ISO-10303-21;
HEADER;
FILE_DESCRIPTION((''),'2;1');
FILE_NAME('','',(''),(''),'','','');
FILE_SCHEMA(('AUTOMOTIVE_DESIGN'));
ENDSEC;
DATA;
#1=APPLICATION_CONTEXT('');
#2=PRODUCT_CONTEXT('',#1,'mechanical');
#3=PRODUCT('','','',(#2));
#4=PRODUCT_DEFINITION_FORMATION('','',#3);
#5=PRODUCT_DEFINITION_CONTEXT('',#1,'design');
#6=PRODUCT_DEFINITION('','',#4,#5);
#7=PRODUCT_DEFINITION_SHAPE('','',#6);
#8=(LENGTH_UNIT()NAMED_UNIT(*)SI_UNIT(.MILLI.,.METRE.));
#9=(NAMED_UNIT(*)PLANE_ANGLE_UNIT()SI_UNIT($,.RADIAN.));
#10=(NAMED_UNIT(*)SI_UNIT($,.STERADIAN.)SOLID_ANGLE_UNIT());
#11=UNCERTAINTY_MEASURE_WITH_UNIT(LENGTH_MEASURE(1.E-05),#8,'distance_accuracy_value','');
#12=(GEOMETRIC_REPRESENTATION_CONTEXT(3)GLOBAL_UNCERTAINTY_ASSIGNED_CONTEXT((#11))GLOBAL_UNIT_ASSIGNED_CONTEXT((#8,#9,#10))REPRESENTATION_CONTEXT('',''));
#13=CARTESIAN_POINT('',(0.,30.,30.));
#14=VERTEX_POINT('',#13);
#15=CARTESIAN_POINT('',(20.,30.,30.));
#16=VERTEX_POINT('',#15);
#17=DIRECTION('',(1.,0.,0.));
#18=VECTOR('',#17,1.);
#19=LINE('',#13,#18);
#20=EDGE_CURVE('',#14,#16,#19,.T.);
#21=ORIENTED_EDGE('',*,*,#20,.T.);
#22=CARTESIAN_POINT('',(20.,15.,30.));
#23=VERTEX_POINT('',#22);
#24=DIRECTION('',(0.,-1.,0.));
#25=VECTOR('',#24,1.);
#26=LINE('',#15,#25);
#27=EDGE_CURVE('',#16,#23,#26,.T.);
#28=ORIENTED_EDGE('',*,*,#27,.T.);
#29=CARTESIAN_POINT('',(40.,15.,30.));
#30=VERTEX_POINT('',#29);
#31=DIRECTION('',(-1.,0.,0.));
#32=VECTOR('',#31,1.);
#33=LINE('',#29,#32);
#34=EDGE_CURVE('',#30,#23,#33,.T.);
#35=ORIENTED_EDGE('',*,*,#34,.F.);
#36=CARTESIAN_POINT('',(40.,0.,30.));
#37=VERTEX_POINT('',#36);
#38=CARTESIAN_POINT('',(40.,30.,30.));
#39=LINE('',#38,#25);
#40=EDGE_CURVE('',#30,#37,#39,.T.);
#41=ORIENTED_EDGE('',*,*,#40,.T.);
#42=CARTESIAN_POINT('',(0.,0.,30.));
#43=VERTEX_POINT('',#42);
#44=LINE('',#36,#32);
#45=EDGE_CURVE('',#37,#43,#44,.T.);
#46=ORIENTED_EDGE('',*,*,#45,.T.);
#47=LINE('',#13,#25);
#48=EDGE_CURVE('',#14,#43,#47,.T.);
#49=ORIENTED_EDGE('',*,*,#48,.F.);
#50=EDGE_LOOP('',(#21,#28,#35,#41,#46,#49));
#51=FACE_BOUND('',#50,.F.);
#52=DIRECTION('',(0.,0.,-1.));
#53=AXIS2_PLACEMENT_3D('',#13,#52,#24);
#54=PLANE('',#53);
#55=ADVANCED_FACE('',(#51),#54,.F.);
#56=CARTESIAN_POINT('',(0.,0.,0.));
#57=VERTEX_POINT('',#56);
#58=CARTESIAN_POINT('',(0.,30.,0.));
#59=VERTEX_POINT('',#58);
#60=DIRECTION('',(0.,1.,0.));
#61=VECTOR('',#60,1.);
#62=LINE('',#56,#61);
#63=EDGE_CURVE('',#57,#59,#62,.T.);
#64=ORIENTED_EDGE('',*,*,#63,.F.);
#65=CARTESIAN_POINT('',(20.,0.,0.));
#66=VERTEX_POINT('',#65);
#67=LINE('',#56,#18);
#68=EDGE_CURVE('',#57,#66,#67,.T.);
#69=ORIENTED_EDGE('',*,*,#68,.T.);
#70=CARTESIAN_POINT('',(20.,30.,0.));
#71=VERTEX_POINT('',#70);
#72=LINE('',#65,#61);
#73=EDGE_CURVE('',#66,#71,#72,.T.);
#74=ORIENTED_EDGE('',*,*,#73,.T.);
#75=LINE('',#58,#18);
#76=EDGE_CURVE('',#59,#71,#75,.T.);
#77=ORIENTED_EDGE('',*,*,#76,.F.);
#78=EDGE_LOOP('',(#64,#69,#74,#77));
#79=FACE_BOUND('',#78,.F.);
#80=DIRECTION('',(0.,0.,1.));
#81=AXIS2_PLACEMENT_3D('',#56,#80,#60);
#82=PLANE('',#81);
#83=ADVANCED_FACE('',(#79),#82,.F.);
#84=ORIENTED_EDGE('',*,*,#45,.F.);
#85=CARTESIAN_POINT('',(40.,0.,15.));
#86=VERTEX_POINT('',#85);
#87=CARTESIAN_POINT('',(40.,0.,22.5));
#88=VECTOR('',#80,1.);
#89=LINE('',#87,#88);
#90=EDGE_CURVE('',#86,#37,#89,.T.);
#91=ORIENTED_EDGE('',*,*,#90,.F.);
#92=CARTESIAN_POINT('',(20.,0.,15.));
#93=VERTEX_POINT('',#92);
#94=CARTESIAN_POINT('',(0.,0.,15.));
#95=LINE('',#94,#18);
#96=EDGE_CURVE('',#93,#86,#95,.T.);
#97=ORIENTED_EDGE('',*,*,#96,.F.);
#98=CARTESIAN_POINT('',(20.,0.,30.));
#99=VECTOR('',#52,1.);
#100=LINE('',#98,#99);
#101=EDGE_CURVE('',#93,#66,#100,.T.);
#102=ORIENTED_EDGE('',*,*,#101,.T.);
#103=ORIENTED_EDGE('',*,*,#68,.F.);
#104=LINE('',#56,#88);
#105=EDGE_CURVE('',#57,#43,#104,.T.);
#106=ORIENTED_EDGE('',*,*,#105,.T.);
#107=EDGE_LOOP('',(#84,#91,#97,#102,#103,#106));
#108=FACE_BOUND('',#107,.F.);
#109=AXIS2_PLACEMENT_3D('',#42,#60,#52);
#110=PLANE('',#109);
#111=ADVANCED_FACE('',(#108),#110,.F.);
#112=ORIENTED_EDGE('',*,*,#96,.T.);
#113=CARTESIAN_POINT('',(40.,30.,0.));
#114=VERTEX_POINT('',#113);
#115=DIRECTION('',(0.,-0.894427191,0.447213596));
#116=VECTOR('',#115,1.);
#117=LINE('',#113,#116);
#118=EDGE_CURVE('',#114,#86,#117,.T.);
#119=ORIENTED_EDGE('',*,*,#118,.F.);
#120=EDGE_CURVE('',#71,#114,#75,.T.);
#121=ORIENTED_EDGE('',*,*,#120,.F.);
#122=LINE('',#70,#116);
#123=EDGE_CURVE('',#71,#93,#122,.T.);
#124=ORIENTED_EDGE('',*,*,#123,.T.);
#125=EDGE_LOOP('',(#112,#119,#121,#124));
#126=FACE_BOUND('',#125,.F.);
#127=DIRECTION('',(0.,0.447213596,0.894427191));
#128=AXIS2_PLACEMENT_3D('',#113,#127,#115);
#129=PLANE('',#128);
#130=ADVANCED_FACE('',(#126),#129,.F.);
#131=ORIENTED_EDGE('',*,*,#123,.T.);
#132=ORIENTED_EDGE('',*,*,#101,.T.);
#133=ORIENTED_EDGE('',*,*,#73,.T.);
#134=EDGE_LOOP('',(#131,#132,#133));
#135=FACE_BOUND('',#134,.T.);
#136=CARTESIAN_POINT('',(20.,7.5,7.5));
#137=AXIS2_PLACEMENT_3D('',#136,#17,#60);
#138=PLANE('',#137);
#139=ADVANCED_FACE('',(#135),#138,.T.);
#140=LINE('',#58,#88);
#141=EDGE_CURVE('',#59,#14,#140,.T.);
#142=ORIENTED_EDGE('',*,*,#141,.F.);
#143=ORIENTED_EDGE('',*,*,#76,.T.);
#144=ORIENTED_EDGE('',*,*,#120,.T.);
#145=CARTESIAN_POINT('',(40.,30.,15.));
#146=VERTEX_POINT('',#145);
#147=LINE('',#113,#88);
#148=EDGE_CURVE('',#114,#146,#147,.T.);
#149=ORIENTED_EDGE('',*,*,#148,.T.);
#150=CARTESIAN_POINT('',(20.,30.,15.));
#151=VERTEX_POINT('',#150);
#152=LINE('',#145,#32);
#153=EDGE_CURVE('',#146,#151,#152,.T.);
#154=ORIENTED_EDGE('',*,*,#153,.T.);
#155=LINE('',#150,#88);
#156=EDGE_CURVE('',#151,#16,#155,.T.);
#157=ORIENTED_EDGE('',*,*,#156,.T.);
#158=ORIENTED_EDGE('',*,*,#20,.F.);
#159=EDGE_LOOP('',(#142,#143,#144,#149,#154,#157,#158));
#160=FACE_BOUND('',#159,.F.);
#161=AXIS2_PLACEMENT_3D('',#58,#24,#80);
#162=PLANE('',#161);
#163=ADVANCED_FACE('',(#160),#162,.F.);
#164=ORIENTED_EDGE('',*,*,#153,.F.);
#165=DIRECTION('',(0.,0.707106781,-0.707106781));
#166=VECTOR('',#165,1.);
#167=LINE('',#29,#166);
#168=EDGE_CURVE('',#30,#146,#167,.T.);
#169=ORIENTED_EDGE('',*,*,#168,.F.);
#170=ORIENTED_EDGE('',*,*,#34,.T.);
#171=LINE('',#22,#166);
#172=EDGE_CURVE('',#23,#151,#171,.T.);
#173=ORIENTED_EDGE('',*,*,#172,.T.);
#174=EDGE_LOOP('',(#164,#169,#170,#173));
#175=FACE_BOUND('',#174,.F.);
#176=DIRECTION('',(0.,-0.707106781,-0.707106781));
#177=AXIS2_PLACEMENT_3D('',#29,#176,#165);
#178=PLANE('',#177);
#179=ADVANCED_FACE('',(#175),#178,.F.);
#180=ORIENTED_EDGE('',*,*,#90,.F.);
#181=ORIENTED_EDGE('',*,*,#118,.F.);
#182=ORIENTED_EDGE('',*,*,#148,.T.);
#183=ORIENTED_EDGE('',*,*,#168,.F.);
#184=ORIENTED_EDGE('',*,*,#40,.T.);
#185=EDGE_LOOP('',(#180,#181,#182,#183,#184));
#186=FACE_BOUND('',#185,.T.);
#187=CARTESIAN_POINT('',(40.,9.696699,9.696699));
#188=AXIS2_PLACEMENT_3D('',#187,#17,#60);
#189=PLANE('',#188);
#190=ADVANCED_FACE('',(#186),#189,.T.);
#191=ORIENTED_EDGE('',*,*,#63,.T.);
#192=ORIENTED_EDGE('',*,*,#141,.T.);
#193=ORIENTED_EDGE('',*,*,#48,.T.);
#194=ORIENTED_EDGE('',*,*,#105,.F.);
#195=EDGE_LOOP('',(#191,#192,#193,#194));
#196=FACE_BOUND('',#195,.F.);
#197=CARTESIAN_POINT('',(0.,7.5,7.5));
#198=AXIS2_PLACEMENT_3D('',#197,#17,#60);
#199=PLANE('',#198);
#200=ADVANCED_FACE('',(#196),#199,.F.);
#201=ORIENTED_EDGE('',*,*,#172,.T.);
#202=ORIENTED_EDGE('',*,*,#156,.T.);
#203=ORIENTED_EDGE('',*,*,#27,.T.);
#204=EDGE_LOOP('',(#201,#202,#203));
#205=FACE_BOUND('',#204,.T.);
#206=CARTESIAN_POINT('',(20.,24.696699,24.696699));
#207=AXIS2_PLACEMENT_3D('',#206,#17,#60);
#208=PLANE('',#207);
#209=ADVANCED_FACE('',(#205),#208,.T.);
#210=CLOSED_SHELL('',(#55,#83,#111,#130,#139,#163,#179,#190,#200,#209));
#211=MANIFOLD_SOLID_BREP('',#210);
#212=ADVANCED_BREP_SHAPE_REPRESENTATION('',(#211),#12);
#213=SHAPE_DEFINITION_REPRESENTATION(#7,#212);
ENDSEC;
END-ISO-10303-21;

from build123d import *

# Parameters (mm, degrees)
F0_W     = 15
F0_H     = 15
F1_DEPTH = 20
F2_DEPTH = 40
F4_DEPTH = 20
F6_DEPTH = 20
F8_DEPTH = 20


with BuildPart() as f1:
    # F0 (on Right) → F1 (new body)
    with BuildSketch(Plane.YZ):
        with Locations((7.5, 7.5)):
            Rectangle(F0_W, F0_H)
        with Locations((22.5, 7.5)):
            Rectangle(F0_W, F0_H)
        with Locations((7.5, 22.5)):
            Rectangle(F0_W, F0_H)
        with Locations((22.5, 22.5)):
            Rectangle(F0_W, F0_H)
    extrude(amount=F1_DEPTH)

    # F0 (on Right) → F2 (join)
    with BuildSketch(Plane.YZ):
        with Locations((22.5, 7.5)):
            Rectangle(F0_W, F0_H)
        with Locations((22.5, 22.5)):
            Rectangle(F0_W, F0_H)
        with Locations((7.5, 22.5)):
            Rectangle(F0_W, F0_H)
    extrude(amount=F2_DEPTH)

    # F3 (on face) → F4 (cut)
    with BuildSketch(Plane.YZ.offset(40)):
        Polygon((30, 30), (15, 30), (30, 15), align=None)
    extrude(amount=-F4_DEPTH, mode=Mode.SUBTRACT)

    # F5 (on face) → F6 (join)
    with BuildSketch(Plane.YZ.offset(20)):
        Polygon((15, 15), (0, 15), (15, 0), align=None)
    extrude(amount=F6_DEPTH)

    # F7 (on face) → F8 (cut)
    with BuildSketch(Plane.YZ.offset(40)):
        Polygon((30, 0), (0, 15), (15, 0), align=None)
    extrude(amount=-F8_DEPTH, mode=Mode.SUBTRACT)


solid = f1.part
